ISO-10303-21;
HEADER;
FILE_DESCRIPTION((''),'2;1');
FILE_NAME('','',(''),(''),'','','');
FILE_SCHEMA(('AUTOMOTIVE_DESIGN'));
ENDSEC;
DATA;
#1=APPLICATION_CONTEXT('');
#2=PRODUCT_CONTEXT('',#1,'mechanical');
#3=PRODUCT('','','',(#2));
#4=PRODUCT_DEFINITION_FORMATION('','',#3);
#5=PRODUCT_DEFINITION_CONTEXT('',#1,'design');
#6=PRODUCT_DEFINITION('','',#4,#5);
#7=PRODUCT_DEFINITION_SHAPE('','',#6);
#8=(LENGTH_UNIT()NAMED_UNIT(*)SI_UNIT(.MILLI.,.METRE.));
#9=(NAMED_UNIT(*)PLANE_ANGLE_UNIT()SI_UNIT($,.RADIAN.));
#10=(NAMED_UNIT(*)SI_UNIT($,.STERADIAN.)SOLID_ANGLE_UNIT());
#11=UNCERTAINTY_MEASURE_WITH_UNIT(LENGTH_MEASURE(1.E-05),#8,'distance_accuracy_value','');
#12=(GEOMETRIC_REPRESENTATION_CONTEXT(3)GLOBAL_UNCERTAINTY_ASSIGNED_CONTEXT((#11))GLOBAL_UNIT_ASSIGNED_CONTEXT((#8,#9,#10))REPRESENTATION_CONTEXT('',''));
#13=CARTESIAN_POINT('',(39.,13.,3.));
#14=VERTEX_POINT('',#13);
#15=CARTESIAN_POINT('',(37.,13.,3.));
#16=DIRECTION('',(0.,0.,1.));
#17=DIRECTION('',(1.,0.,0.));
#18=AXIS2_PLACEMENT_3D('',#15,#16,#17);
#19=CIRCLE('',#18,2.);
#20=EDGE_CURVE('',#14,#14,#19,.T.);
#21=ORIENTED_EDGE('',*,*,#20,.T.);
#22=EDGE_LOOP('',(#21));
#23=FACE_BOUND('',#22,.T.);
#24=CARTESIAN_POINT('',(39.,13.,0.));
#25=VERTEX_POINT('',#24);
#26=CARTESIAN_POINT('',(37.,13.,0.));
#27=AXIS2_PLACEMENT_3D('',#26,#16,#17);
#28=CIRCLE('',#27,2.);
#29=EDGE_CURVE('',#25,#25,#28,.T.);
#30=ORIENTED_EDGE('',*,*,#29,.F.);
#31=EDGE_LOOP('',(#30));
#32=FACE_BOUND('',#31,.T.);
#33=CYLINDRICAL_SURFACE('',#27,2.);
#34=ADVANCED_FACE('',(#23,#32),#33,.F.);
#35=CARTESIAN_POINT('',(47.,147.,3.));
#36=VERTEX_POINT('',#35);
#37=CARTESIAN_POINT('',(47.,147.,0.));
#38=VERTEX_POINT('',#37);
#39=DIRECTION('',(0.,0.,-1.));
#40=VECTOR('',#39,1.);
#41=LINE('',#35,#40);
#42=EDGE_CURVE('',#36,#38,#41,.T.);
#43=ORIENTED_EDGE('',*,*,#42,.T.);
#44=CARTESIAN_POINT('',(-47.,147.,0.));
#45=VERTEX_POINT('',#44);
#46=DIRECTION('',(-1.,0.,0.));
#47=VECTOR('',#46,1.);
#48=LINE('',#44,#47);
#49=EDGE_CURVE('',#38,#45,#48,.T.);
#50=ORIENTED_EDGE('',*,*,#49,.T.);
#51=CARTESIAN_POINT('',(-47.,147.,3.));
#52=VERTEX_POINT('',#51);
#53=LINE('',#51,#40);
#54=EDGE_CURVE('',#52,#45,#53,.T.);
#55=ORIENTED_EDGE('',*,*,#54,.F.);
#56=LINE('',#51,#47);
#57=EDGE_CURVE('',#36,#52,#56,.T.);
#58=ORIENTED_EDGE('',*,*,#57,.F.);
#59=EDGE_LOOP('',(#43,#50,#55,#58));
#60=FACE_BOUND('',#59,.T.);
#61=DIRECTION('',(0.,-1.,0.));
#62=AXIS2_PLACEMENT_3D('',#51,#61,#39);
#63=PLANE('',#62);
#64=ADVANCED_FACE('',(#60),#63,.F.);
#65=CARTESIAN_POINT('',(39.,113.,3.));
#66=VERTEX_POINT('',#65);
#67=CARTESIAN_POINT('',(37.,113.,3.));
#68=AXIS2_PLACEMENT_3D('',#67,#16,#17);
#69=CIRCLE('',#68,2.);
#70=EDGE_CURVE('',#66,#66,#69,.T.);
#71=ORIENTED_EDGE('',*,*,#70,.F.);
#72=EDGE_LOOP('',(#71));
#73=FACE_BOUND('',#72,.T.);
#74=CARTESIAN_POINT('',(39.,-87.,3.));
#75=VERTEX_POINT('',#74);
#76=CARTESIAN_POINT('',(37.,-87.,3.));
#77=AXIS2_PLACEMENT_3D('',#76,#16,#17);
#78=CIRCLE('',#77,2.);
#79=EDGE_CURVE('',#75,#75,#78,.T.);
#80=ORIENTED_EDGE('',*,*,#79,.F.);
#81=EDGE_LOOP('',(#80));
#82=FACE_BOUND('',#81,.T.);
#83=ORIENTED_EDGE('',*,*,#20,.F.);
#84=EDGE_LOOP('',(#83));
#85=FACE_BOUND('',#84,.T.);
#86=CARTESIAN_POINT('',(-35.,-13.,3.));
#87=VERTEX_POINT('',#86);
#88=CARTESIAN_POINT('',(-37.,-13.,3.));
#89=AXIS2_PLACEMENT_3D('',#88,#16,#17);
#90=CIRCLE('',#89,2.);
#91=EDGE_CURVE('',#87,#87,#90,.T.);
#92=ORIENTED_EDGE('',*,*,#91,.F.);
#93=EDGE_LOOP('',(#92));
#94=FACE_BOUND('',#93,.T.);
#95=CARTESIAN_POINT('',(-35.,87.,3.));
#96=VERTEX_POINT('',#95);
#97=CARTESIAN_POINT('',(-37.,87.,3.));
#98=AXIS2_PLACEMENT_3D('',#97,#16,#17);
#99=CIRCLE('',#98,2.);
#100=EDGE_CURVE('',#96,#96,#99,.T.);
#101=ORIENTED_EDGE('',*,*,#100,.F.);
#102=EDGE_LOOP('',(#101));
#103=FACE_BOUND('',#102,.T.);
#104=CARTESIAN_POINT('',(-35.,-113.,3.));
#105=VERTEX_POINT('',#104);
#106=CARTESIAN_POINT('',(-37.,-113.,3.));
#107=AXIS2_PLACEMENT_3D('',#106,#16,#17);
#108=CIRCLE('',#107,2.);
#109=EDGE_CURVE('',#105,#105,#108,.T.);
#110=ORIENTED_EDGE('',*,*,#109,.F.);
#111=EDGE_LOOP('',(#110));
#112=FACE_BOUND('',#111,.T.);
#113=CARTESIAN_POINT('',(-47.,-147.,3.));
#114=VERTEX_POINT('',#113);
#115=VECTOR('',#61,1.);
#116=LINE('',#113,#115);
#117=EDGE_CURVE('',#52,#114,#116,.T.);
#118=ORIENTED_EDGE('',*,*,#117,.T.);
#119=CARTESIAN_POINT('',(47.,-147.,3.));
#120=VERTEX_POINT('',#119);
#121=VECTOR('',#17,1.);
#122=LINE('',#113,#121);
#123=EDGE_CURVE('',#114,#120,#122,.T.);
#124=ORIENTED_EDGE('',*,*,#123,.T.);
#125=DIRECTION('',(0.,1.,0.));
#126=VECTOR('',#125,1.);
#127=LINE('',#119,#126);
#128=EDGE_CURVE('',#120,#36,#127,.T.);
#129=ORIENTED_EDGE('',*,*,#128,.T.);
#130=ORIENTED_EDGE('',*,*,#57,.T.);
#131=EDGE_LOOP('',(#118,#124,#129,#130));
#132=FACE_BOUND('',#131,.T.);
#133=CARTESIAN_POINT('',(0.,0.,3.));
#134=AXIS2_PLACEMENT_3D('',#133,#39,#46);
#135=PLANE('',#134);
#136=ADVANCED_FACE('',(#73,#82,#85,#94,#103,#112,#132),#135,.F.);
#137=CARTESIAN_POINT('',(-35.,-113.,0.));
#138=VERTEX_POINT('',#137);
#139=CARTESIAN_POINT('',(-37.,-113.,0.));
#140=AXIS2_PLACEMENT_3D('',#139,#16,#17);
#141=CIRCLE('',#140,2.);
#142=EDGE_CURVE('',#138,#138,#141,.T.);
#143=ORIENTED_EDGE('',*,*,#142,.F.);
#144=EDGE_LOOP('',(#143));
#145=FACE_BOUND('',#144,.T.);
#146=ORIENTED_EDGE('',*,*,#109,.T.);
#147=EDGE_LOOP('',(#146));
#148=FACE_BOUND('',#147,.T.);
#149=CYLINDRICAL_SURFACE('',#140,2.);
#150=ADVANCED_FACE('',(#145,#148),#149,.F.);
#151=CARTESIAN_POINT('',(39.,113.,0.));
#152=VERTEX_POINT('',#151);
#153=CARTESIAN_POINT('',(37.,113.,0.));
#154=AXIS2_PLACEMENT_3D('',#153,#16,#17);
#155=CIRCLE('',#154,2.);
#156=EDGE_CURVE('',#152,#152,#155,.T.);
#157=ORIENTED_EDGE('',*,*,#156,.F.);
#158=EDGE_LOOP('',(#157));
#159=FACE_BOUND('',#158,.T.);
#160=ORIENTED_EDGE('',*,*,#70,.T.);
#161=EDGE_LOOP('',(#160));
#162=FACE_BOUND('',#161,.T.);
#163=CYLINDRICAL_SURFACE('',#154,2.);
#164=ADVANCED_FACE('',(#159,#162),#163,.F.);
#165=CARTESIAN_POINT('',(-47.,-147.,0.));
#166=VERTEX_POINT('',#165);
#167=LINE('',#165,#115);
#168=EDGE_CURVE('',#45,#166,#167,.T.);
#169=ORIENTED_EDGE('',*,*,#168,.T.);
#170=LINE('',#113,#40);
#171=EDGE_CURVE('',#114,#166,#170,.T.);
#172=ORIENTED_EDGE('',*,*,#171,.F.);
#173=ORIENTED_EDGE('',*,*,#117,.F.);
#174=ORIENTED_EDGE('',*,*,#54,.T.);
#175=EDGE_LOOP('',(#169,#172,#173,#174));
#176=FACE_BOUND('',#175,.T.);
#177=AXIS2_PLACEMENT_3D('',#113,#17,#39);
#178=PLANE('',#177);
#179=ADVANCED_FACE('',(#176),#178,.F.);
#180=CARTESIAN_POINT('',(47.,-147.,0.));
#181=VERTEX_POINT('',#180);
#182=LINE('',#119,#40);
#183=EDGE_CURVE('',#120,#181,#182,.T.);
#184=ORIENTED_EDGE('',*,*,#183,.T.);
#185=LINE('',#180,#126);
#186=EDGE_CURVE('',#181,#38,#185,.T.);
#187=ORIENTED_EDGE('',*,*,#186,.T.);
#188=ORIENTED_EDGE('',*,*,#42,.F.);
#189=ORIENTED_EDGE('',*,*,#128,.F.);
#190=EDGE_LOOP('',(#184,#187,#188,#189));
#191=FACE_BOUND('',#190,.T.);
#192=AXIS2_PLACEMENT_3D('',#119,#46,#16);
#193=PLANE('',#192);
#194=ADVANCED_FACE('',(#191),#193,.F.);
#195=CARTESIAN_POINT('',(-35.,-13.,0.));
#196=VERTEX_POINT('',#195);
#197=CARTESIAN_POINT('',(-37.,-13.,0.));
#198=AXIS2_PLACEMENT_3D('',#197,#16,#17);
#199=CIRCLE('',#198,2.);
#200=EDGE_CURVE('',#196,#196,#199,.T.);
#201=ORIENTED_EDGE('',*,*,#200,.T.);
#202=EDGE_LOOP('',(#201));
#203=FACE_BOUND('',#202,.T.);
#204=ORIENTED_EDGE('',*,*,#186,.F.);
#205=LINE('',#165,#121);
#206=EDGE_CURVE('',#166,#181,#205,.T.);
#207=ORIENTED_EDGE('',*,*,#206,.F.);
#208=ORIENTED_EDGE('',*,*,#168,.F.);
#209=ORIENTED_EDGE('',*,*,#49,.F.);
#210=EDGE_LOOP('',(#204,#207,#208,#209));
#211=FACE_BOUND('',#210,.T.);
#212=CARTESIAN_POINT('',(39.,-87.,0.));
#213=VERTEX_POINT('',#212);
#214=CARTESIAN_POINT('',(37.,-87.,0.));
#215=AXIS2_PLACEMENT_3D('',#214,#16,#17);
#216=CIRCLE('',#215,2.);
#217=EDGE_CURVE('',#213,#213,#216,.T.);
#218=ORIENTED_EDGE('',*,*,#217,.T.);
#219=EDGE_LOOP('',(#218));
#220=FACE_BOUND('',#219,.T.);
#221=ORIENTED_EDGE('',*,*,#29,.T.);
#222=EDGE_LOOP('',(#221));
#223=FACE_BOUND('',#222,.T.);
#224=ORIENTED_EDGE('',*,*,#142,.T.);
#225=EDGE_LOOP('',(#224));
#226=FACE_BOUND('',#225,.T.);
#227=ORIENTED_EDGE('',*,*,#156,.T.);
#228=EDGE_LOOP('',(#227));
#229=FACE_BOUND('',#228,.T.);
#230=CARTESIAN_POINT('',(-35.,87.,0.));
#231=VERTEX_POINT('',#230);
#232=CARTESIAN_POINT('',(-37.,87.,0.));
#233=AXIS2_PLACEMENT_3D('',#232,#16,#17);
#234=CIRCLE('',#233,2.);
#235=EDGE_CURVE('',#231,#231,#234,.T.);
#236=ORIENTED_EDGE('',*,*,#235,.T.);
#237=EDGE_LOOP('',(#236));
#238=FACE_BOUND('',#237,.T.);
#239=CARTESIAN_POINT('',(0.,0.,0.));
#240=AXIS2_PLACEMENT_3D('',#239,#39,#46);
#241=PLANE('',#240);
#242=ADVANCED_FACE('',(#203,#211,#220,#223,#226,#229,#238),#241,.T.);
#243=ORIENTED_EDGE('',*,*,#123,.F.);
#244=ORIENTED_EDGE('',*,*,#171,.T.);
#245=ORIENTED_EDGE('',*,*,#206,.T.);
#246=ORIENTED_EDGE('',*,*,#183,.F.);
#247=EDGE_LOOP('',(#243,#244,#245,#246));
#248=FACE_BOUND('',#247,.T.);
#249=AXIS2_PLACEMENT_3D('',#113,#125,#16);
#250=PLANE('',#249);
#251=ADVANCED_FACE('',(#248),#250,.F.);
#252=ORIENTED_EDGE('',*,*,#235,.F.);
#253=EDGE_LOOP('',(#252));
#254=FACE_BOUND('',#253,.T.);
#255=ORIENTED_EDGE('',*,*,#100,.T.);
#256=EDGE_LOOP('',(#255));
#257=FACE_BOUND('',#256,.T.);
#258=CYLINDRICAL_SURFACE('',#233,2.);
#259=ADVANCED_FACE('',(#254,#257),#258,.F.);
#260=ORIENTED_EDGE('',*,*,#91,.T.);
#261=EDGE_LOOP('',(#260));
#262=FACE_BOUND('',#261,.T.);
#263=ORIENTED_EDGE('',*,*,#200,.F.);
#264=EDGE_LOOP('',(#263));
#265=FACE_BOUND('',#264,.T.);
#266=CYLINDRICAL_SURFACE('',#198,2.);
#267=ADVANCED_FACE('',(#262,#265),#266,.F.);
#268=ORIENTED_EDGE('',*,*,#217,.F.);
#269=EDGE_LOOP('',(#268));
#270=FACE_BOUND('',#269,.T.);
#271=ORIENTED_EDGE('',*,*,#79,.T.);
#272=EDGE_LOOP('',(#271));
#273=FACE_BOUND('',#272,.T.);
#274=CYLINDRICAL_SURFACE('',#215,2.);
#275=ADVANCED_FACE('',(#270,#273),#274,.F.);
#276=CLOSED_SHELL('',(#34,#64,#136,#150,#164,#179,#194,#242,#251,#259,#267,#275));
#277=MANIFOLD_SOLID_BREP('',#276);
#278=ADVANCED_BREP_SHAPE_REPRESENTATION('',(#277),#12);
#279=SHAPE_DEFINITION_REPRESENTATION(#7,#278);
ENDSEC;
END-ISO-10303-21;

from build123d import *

# Parameters (mm, degrees)
SKETCH1_W           = 94
SKETCH1_H           = 294
BOSS_EXTRUDE1_DEPTH = 3
SKETCH2_R           = 2
CUT_EXTRUDE1_DEPTH  = 3


with BuildPart() as part:
    # Sketch1 → Boss-Extrude1 (new body)
    with BuildSketch(Plane.XY):
        Rectangle(SKETCH1_W, SKETCH1_H)
    extrude(amount=BOSS_EXTRUDE1_DEPTH)

    # Sketch2 → Cut-Extrude1 (cut)
    with BuildSketch(Plane.XY.offset(3)):
        with Locations((-37, -13)):
            Circle(SKETCH2_R)
        with Locations((-37, 87)):
            Circle(SKETCH2_R)
        with Locations((-37, -113)):
            Circle(SKETCH2_R)
        with Locations((37, -87)):
            Circle(SKETCH2_R)
        with Locations((37, 13)):
            Circle(SKETCH2_R)
        with Locations((37, 113)):
            Circle(SKETCH2_R)
    extrude(amount=-CUT_EXTRUDE1_DEPTH, mode=Mode.SUBTRACT)


solid = part.part
